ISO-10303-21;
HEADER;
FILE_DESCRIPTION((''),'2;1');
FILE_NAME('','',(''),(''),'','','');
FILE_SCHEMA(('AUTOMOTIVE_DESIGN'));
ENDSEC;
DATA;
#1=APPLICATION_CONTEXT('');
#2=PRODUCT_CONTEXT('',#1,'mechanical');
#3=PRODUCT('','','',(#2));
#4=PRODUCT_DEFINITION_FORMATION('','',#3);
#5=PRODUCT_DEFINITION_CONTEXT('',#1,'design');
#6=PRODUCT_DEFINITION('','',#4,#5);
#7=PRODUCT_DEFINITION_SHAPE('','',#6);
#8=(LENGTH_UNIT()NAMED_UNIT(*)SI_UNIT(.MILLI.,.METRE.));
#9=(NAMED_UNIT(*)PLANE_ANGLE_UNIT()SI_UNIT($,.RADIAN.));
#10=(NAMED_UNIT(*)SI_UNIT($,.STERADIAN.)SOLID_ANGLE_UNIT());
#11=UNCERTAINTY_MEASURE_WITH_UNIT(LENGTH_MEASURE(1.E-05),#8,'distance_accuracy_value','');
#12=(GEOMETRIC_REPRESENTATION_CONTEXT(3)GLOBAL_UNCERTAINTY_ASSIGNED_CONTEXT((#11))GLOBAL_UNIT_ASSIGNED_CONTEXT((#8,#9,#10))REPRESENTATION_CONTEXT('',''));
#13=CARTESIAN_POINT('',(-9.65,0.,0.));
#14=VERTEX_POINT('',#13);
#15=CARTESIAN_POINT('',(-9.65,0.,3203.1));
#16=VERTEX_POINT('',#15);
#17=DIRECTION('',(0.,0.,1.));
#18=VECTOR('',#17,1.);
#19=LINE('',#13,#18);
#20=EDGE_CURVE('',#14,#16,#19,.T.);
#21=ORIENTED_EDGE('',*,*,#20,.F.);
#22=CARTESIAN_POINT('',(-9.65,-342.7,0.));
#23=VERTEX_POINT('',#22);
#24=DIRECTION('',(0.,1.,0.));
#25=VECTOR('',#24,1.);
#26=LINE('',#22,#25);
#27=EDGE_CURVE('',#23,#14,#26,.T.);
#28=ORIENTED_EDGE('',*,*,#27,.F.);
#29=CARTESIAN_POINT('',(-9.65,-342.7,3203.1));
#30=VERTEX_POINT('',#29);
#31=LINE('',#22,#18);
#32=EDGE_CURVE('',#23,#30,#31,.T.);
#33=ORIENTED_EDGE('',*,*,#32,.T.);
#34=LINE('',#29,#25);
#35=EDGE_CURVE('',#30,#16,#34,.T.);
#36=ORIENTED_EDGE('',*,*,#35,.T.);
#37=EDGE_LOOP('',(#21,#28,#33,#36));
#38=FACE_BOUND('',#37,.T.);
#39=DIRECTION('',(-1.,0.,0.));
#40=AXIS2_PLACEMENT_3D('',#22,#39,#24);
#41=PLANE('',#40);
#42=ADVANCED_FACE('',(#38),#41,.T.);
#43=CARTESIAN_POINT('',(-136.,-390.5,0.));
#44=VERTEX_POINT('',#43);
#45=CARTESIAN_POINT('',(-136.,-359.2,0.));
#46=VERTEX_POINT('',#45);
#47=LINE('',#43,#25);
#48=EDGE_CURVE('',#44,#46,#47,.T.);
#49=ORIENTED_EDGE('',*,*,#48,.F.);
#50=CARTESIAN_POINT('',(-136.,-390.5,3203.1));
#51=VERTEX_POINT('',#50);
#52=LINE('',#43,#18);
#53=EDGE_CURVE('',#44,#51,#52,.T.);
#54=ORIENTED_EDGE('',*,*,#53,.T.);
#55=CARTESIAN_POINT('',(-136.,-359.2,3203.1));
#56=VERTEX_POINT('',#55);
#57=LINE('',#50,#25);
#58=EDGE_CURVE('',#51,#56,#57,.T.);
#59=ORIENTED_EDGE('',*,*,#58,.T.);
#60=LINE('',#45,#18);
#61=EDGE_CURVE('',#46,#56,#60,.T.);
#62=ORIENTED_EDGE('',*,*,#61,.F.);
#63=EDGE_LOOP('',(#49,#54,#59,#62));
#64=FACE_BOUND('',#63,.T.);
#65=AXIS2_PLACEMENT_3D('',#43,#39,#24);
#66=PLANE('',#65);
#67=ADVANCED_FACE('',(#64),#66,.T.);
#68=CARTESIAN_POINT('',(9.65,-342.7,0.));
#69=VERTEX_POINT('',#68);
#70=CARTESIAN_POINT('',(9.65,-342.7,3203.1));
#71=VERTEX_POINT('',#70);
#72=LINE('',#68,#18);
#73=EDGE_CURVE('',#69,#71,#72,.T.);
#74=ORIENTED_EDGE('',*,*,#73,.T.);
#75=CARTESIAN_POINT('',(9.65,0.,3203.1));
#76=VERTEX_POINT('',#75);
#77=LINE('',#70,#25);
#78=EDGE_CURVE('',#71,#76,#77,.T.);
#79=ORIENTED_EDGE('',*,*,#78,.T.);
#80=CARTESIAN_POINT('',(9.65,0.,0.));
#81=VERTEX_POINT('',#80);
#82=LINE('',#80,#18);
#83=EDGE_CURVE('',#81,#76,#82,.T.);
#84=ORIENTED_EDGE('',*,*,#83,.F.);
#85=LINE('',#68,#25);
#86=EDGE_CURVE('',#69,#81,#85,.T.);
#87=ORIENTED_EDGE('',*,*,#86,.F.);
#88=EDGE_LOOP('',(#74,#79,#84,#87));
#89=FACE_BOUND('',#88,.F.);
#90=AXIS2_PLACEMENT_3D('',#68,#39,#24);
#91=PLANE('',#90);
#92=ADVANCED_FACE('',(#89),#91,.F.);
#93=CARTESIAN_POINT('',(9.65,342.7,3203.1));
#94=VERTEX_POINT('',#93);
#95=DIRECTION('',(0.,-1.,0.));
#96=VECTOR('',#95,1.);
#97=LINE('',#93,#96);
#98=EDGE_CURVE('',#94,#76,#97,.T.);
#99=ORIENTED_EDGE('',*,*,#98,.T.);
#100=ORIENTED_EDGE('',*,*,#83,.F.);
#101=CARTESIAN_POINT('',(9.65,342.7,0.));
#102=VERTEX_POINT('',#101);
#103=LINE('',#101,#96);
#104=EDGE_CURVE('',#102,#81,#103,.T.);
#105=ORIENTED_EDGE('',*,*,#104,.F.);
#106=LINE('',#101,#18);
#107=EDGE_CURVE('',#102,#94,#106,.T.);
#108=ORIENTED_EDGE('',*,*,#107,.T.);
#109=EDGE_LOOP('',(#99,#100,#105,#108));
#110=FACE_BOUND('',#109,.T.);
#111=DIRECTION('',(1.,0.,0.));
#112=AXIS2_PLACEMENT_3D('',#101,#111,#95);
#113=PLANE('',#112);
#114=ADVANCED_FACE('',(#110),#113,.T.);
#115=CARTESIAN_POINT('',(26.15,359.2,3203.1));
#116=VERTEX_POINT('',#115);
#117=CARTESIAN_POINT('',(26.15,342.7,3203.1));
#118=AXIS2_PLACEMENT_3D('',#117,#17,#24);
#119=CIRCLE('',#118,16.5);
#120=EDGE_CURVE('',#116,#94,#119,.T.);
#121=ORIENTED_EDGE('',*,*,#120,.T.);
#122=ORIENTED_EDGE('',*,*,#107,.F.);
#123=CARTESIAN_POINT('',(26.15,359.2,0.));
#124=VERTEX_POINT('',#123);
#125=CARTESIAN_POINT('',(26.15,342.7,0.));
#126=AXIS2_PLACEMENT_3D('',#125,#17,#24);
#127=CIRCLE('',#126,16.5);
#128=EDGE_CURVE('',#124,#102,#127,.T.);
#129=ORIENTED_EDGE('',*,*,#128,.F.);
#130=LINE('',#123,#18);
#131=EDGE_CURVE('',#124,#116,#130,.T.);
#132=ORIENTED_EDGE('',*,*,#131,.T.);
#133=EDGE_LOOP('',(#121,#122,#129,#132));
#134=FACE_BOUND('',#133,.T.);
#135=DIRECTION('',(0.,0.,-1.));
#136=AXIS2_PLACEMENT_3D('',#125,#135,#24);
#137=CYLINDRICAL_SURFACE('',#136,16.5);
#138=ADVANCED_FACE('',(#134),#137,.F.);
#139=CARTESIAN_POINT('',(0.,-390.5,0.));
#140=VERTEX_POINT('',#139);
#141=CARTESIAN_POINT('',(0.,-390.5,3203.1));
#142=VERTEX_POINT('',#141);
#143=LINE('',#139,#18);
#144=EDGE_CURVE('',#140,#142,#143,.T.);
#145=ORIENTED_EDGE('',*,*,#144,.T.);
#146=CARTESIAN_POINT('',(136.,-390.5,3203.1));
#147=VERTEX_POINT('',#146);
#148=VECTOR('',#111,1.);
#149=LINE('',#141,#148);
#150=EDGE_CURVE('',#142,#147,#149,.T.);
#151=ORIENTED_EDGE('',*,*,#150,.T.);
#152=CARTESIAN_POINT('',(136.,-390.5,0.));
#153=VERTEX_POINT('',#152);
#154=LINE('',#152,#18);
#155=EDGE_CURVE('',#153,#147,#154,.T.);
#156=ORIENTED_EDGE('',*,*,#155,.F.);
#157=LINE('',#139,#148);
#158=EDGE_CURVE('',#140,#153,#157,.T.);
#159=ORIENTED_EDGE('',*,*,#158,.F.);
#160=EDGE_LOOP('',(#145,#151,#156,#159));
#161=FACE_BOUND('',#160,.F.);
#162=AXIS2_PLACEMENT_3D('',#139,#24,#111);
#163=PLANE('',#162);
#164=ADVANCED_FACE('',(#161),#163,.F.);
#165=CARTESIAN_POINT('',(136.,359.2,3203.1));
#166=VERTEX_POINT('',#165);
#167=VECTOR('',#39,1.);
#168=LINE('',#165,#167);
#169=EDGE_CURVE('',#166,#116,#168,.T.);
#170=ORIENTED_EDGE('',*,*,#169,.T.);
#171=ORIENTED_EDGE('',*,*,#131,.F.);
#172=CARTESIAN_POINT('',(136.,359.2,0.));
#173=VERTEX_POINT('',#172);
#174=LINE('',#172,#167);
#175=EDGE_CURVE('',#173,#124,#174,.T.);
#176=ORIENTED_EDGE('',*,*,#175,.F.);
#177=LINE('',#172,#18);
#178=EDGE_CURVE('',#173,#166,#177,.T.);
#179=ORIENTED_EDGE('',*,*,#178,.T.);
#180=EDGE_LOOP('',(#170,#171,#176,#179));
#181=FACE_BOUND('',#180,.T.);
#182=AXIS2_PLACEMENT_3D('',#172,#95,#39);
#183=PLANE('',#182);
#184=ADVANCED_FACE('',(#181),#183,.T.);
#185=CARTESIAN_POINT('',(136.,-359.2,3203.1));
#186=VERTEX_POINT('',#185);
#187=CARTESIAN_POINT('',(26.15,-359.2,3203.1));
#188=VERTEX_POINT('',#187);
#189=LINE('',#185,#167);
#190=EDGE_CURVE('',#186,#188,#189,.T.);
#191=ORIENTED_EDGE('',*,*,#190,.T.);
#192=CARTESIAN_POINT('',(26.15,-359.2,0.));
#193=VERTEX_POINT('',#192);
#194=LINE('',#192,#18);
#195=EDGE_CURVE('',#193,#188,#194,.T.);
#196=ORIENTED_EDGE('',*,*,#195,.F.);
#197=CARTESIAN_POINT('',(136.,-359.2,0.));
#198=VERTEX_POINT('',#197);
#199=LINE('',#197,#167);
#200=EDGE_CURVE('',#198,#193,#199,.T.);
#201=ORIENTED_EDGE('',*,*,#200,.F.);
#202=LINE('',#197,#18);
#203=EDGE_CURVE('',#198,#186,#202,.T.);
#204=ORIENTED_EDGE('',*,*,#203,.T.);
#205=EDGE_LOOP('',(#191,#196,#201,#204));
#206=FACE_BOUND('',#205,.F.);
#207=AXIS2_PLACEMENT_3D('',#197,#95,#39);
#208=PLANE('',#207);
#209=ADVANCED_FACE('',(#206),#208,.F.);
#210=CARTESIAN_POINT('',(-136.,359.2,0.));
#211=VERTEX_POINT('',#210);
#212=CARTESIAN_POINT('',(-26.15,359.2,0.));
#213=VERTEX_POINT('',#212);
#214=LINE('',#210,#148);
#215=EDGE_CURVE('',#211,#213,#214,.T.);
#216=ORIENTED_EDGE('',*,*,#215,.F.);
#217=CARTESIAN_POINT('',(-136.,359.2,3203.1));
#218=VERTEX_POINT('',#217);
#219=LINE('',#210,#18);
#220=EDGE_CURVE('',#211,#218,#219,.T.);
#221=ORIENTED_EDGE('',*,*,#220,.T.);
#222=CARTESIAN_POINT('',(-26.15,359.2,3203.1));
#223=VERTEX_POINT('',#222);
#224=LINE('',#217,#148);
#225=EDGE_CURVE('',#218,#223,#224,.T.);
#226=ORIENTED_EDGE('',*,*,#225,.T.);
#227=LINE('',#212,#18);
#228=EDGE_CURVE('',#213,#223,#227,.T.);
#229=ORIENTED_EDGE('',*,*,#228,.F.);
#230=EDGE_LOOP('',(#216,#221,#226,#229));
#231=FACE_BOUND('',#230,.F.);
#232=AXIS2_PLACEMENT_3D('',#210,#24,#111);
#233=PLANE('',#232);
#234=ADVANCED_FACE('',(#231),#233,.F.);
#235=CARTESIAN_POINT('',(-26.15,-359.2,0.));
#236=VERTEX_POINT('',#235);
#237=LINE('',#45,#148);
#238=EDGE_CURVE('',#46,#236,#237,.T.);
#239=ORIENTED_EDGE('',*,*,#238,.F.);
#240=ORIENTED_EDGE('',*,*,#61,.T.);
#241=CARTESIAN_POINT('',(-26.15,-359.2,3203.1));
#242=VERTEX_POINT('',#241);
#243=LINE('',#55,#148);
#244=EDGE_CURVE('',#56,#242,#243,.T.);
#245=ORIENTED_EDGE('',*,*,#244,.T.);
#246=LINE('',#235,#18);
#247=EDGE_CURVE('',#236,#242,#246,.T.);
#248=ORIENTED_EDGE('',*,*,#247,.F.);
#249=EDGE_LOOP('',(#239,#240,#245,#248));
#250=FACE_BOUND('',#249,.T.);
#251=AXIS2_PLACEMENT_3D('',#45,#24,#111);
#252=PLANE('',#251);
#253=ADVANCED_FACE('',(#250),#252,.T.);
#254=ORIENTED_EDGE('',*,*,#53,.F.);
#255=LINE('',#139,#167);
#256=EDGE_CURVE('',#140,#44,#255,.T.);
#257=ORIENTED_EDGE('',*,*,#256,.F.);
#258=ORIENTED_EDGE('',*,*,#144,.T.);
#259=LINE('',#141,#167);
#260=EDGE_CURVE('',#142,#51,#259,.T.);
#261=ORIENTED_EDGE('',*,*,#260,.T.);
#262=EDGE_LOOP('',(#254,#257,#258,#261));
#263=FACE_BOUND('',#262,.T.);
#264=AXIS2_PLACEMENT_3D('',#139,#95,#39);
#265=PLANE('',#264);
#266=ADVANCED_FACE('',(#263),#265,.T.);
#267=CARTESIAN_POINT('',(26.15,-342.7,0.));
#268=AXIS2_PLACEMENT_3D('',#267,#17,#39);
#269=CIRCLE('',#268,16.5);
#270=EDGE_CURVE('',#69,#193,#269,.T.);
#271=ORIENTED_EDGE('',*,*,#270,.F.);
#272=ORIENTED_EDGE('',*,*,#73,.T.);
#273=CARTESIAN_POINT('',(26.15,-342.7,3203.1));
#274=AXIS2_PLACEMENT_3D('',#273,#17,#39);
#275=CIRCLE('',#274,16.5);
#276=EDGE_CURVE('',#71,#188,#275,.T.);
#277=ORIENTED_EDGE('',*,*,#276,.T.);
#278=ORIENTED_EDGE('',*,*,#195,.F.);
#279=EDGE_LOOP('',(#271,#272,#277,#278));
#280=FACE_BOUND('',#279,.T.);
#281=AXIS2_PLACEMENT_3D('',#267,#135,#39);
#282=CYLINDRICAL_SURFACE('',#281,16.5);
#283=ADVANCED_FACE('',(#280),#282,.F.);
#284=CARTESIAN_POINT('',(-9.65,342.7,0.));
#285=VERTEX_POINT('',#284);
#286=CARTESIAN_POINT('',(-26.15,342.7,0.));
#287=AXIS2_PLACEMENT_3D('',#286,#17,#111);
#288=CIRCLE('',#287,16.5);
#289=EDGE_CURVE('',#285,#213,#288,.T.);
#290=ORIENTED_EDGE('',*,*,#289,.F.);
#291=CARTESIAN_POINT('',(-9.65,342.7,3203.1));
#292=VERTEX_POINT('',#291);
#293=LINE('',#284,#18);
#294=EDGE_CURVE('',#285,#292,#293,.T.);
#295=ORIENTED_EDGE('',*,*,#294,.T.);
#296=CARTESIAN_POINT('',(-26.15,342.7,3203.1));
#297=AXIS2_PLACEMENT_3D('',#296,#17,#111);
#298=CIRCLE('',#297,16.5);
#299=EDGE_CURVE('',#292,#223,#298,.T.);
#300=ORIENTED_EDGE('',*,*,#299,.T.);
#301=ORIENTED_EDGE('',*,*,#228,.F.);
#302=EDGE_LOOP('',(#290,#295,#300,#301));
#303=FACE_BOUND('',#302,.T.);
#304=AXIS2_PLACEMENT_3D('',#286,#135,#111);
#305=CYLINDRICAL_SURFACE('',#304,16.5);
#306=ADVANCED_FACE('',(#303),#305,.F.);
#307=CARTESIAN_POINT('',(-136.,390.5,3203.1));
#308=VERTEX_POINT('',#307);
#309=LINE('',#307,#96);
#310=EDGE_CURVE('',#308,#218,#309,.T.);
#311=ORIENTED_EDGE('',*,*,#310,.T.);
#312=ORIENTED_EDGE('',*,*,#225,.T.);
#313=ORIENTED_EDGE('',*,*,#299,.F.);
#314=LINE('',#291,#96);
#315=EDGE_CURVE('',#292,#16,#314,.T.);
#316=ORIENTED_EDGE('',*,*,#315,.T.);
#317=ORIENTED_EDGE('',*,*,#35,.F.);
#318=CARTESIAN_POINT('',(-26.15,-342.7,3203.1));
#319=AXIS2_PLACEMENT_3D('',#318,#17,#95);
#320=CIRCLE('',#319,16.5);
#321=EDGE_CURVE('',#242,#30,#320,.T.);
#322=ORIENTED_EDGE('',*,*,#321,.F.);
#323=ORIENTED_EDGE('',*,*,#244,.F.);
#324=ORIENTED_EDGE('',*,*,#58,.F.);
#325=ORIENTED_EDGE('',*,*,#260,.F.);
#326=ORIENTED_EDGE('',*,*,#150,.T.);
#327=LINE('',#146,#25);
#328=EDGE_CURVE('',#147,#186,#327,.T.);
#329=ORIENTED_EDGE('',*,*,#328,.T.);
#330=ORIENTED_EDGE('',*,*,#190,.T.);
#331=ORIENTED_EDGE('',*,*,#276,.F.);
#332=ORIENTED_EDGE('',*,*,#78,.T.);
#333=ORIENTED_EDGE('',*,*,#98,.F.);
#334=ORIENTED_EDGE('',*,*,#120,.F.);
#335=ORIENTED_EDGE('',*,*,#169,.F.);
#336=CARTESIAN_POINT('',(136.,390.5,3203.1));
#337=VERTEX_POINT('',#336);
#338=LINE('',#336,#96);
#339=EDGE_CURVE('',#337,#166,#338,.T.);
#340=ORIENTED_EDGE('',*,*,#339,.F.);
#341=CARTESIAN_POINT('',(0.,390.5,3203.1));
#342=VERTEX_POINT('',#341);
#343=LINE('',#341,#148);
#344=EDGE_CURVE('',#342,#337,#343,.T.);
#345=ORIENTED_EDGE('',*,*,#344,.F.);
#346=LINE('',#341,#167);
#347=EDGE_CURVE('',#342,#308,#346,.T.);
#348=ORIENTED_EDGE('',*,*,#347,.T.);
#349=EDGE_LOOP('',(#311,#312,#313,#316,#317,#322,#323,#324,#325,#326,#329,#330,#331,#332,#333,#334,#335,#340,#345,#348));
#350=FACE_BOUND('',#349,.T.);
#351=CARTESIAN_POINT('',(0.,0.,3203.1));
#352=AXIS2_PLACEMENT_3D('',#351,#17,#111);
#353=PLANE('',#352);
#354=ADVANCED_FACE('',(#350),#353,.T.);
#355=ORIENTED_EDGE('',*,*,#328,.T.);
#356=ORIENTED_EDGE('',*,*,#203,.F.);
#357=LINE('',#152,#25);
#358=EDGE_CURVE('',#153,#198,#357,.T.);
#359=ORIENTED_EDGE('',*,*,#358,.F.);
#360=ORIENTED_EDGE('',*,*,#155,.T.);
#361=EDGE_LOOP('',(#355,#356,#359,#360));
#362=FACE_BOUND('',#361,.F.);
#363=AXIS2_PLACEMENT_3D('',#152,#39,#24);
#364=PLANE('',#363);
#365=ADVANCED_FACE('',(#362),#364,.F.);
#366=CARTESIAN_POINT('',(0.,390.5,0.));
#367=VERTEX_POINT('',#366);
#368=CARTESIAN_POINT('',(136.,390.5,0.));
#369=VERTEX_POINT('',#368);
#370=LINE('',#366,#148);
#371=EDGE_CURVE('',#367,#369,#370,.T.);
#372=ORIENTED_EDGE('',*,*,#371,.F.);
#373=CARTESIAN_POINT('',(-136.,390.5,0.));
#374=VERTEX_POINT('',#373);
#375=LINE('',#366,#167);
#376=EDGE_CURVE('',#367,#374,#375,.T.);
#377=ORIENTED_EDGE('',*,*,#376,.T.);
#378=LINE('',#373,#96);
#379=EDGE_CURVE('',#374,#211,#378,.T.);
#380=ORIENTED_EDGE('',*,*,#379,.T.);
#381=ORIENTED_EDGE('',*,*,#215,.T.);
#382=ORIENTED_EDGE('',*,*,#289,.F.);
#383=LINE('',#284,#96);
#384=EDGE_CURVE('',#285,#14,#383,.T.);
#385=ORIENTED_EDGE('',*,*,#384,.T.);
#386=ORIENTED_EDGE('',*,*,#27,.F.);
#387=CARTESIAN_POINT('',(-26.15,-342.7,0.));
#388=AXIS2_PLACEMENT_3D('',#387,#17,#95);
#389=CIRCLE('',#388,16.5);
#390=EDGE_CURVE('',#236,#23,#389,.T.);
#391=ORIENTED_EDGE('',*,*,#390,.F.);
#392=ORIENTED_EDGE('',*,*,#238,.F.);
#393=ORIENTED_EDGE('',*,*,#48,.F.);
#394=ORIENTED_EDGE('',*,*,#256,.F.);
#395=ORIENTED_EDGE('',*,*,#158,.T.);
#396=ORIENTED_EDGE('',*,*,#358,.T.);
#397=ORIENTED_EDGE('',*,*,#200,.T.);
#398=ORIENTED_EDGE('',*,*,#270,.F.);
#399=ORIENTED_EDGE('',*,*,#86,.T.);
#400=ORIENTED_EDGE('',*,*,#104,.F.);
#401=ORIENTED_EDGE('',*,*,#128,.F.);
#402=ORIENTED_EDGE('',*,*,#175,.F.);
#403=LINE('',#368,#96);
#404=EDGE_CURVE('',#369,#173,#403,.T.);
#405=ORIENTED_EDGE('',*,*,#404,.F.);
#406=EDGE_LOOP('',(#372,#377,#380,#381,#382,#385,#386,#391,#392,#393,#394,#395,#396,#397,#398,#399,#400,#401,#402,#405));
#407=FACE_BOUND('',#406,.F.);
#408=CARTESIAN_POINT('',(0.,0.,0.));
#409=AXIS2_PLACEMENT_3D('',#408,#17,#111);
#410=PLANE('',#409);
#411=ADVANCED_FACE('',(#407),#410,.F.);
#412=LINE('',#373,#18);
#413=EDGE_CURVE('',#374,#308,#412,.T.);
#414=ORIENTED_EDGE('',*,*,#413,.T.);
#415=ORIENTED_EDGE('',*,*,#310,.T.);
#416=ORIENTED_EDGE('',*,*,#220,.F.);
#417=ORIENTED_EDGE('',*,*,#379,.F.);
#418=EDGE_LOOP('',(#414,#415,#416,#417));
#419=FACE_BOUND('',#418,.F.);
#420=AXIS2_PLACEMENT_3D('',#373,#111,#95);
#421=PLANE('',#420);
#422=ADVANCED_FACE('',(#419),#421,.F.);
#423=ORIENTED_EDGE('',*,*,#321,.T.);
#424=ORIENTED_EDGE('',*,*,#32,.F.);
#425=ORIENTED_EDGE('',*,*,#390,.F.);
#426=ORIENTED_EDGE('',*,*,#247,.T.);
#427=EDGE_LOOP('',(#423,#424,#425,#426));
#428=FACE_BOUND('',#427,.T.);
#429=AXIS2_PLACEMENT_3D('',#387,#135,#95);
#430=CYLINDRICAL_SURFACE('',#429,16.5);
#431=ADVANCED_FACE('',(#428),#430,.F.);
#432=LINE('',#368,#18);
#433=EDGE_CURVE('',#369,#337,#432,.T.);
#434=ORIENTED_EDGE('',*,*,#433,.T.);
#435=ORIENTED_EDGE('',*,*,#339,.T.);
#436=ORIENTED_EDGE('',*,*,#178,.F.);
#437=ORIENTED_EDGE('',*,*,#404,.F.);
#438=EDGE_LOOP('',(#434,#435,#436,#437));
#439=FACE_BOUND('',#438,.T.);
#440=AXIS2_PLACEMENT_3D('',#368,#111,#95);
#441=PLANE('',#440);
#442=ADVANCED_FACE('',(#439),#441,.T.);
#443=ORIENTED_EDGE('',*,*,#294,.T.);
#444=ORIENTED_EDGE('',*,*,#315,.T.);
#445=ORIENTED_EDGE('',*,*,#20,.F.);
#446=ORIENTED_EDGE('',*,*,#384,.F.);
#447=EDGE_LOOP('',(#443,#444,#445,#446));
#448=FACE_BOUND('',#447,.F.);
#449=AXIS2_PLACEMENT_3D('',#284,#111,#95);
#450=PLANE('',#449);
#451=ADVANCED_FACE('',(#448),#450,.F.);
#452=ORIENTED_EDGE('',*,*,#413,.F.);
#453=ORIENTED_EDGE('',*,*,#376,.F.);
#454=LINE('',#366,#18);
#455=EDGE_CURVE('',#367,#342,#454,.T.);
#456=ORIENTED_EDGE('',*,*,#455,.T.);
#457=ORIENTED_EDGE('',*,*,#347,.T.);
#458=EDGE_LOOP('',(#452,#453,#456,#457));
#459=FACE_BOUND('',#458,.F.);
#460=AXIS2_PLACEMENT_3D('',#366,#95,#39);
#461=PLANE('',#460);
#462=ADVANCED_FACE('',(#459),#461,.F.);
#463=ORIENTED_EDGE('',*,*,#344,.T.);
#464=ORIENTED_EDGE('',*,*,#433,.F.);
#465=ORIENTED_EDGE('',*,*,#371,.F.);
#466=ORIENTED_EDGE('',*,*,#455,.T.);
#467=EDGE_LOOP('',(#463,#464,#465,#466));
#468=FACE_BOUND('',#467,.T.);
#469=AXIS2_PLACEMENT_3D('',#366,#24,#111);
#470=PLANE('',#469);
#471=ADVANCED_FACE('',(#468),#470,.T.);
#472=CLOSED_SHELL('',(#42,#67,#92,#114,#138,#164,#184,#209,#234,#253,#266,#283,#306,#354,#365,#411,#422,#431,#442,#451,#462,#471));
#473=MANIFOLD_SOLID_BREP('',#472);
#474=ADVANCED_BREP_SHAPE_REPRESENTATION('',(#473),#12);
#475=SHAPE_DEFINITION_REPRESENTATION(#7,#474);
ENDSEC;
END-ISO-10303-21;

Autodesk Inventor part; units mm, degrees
ref_plane "YZ Plane" through (0, 0, 0) normal (1, 0, 0) x (0, 1, 0)
ref_plane "Start plane" through (0, 0, 0) normal (0, 0, 1) x (1, 0, 0)
ref_plane "End plane" through (0, 0, 3203.1) normal (0, 0, 1) x (1, 0, 0)
sketch "Sketch" plane through (0, 0, 0) normal (0, 0, 1) x (1, 0, 0)
  line L0 (-136, -390.5) -> (-136, -359.2)
  line L1 (-136, -359.2) -> (-26.15, -359.2)
  line L2 (-9.65, -342.7) -> (-9.65, 0)
  line L3 (-9.65, 0) -> (0, 0) construction
  line L4 (0, 0) -> (0, -390.5) construction
  line L5 (0, -390.5) -> (-136, -390.5)
  line L6 (-60, 0) -> (80, 0) construction
  line L7 (0, -60) -> (0, 80) construction
  line L8 (136, -390.5) -> (136, -359.2)
  line L9 (136, -359.2) -> (26.15, -359.2)
  line L10 (9.65, -342.7) -> (9.65, 0)
  line L11 (9.65, 0) -> (0, 0) construction
  line L12 (0, -390.5) -> (136, -390.5)
  line L13 (-136, 390.5) -> (-136, 359.2)
  line L14 (-136, 359.2) -> (-26.15, 359.2)
  line L15 (-9.65, 342.7) -> (-9.65, 0)
  line L16 (0, 390.5) -> (-136, 390.5)
  line L17 (136, 390.5) -> (136, 359.2)
  line L18 (136, 359.2) -> (26.15, 359.2)
  line L19 (0, 390.5) -> (136, 390.5)
  line L20 (9.65, 342.7) -> (9.65, 0)
  arc A0 (-9.65, 342.7) -> (-26.15, 359.2) centre (-26.15, 342.7) ccw
  arc A1 (26.15, 359.2) -> (9.65, 342.7) centre (26.15, 342.7) ccw
  arc A2 (9.65, -342.7) -> (26.15, -359.2) centre (26.15, -342.7) ccw
  arc A3 (-26.15, -359.2) -> (-9.65, -342.7) centre (-26.15, -342.7) ccw
  line L21 (0, 108) -> (0, -88) construction
  line L22 (-88, 0) -> (108, 0) construction
  point P0 (-9.65, -359.2)
  point P1 (9.65, -359.2)
  point P2 (-9.65, 359.2)
  point P3 (9.65, 359.2)
  dimension "d1" = 390.5
  dimension "d2" = 31.3
  dimension "d3" = 136
  dimension "d4" = 9.65
  dimension "d10" = 16.5
extrude "Body" add sketch "Sketch" along normal up to surface (3203.1 mm away) from surface at 0
sketch "Sketch4" plane through (0, 0, 0) normal (0, 0, 1) x (1, 0, 0)
  line L0 (0, 0) -> (10, 0)
ref_plane "Work Plane3" through (0, 0, 0) normal (0, -1, 0) x (1, 0, 0)
sketch "Sketch5" plane through (0, 0, 0) normal (0, -1, 0) x (1, 0, 0)
  line L0 (-2, 0) -> (12, 0) projected
  line L1 (-2, 3203.1) -> (12, 3203.1) projected
  dimension "d14" = 3203.1
equation "\"d1\" = 0.5 * G_H"
equation "\"d2\" = G_T1"
equation "\"d3\" = 0.5 * G_W"
equation "\"d4\" = 0.5 * G_T"
equation "\"d10\" = G_IR"
equation "\"d5\" = G_L"
equation "\"G_W\" = 272"
equation "\"G_H\" = 781"
equation "\"G_T\" = 19.3"
equation "\"G_T1\" = 31.3"
equation "\"G_IR\" = 16.5"
equation "\"G_L\" = d14"
equation "\"G_OFFSET_START\" = 0"
equation "\"G_OFFSET_END\" = 0"
equation "\"d12\" = G_OFFSET_END + B_L"
equation "\"B_L\" = 3203.1"
properties part number "AS 3679-1990 - 760 UB - 244 - 3203.1" material "Steel, Mild"
